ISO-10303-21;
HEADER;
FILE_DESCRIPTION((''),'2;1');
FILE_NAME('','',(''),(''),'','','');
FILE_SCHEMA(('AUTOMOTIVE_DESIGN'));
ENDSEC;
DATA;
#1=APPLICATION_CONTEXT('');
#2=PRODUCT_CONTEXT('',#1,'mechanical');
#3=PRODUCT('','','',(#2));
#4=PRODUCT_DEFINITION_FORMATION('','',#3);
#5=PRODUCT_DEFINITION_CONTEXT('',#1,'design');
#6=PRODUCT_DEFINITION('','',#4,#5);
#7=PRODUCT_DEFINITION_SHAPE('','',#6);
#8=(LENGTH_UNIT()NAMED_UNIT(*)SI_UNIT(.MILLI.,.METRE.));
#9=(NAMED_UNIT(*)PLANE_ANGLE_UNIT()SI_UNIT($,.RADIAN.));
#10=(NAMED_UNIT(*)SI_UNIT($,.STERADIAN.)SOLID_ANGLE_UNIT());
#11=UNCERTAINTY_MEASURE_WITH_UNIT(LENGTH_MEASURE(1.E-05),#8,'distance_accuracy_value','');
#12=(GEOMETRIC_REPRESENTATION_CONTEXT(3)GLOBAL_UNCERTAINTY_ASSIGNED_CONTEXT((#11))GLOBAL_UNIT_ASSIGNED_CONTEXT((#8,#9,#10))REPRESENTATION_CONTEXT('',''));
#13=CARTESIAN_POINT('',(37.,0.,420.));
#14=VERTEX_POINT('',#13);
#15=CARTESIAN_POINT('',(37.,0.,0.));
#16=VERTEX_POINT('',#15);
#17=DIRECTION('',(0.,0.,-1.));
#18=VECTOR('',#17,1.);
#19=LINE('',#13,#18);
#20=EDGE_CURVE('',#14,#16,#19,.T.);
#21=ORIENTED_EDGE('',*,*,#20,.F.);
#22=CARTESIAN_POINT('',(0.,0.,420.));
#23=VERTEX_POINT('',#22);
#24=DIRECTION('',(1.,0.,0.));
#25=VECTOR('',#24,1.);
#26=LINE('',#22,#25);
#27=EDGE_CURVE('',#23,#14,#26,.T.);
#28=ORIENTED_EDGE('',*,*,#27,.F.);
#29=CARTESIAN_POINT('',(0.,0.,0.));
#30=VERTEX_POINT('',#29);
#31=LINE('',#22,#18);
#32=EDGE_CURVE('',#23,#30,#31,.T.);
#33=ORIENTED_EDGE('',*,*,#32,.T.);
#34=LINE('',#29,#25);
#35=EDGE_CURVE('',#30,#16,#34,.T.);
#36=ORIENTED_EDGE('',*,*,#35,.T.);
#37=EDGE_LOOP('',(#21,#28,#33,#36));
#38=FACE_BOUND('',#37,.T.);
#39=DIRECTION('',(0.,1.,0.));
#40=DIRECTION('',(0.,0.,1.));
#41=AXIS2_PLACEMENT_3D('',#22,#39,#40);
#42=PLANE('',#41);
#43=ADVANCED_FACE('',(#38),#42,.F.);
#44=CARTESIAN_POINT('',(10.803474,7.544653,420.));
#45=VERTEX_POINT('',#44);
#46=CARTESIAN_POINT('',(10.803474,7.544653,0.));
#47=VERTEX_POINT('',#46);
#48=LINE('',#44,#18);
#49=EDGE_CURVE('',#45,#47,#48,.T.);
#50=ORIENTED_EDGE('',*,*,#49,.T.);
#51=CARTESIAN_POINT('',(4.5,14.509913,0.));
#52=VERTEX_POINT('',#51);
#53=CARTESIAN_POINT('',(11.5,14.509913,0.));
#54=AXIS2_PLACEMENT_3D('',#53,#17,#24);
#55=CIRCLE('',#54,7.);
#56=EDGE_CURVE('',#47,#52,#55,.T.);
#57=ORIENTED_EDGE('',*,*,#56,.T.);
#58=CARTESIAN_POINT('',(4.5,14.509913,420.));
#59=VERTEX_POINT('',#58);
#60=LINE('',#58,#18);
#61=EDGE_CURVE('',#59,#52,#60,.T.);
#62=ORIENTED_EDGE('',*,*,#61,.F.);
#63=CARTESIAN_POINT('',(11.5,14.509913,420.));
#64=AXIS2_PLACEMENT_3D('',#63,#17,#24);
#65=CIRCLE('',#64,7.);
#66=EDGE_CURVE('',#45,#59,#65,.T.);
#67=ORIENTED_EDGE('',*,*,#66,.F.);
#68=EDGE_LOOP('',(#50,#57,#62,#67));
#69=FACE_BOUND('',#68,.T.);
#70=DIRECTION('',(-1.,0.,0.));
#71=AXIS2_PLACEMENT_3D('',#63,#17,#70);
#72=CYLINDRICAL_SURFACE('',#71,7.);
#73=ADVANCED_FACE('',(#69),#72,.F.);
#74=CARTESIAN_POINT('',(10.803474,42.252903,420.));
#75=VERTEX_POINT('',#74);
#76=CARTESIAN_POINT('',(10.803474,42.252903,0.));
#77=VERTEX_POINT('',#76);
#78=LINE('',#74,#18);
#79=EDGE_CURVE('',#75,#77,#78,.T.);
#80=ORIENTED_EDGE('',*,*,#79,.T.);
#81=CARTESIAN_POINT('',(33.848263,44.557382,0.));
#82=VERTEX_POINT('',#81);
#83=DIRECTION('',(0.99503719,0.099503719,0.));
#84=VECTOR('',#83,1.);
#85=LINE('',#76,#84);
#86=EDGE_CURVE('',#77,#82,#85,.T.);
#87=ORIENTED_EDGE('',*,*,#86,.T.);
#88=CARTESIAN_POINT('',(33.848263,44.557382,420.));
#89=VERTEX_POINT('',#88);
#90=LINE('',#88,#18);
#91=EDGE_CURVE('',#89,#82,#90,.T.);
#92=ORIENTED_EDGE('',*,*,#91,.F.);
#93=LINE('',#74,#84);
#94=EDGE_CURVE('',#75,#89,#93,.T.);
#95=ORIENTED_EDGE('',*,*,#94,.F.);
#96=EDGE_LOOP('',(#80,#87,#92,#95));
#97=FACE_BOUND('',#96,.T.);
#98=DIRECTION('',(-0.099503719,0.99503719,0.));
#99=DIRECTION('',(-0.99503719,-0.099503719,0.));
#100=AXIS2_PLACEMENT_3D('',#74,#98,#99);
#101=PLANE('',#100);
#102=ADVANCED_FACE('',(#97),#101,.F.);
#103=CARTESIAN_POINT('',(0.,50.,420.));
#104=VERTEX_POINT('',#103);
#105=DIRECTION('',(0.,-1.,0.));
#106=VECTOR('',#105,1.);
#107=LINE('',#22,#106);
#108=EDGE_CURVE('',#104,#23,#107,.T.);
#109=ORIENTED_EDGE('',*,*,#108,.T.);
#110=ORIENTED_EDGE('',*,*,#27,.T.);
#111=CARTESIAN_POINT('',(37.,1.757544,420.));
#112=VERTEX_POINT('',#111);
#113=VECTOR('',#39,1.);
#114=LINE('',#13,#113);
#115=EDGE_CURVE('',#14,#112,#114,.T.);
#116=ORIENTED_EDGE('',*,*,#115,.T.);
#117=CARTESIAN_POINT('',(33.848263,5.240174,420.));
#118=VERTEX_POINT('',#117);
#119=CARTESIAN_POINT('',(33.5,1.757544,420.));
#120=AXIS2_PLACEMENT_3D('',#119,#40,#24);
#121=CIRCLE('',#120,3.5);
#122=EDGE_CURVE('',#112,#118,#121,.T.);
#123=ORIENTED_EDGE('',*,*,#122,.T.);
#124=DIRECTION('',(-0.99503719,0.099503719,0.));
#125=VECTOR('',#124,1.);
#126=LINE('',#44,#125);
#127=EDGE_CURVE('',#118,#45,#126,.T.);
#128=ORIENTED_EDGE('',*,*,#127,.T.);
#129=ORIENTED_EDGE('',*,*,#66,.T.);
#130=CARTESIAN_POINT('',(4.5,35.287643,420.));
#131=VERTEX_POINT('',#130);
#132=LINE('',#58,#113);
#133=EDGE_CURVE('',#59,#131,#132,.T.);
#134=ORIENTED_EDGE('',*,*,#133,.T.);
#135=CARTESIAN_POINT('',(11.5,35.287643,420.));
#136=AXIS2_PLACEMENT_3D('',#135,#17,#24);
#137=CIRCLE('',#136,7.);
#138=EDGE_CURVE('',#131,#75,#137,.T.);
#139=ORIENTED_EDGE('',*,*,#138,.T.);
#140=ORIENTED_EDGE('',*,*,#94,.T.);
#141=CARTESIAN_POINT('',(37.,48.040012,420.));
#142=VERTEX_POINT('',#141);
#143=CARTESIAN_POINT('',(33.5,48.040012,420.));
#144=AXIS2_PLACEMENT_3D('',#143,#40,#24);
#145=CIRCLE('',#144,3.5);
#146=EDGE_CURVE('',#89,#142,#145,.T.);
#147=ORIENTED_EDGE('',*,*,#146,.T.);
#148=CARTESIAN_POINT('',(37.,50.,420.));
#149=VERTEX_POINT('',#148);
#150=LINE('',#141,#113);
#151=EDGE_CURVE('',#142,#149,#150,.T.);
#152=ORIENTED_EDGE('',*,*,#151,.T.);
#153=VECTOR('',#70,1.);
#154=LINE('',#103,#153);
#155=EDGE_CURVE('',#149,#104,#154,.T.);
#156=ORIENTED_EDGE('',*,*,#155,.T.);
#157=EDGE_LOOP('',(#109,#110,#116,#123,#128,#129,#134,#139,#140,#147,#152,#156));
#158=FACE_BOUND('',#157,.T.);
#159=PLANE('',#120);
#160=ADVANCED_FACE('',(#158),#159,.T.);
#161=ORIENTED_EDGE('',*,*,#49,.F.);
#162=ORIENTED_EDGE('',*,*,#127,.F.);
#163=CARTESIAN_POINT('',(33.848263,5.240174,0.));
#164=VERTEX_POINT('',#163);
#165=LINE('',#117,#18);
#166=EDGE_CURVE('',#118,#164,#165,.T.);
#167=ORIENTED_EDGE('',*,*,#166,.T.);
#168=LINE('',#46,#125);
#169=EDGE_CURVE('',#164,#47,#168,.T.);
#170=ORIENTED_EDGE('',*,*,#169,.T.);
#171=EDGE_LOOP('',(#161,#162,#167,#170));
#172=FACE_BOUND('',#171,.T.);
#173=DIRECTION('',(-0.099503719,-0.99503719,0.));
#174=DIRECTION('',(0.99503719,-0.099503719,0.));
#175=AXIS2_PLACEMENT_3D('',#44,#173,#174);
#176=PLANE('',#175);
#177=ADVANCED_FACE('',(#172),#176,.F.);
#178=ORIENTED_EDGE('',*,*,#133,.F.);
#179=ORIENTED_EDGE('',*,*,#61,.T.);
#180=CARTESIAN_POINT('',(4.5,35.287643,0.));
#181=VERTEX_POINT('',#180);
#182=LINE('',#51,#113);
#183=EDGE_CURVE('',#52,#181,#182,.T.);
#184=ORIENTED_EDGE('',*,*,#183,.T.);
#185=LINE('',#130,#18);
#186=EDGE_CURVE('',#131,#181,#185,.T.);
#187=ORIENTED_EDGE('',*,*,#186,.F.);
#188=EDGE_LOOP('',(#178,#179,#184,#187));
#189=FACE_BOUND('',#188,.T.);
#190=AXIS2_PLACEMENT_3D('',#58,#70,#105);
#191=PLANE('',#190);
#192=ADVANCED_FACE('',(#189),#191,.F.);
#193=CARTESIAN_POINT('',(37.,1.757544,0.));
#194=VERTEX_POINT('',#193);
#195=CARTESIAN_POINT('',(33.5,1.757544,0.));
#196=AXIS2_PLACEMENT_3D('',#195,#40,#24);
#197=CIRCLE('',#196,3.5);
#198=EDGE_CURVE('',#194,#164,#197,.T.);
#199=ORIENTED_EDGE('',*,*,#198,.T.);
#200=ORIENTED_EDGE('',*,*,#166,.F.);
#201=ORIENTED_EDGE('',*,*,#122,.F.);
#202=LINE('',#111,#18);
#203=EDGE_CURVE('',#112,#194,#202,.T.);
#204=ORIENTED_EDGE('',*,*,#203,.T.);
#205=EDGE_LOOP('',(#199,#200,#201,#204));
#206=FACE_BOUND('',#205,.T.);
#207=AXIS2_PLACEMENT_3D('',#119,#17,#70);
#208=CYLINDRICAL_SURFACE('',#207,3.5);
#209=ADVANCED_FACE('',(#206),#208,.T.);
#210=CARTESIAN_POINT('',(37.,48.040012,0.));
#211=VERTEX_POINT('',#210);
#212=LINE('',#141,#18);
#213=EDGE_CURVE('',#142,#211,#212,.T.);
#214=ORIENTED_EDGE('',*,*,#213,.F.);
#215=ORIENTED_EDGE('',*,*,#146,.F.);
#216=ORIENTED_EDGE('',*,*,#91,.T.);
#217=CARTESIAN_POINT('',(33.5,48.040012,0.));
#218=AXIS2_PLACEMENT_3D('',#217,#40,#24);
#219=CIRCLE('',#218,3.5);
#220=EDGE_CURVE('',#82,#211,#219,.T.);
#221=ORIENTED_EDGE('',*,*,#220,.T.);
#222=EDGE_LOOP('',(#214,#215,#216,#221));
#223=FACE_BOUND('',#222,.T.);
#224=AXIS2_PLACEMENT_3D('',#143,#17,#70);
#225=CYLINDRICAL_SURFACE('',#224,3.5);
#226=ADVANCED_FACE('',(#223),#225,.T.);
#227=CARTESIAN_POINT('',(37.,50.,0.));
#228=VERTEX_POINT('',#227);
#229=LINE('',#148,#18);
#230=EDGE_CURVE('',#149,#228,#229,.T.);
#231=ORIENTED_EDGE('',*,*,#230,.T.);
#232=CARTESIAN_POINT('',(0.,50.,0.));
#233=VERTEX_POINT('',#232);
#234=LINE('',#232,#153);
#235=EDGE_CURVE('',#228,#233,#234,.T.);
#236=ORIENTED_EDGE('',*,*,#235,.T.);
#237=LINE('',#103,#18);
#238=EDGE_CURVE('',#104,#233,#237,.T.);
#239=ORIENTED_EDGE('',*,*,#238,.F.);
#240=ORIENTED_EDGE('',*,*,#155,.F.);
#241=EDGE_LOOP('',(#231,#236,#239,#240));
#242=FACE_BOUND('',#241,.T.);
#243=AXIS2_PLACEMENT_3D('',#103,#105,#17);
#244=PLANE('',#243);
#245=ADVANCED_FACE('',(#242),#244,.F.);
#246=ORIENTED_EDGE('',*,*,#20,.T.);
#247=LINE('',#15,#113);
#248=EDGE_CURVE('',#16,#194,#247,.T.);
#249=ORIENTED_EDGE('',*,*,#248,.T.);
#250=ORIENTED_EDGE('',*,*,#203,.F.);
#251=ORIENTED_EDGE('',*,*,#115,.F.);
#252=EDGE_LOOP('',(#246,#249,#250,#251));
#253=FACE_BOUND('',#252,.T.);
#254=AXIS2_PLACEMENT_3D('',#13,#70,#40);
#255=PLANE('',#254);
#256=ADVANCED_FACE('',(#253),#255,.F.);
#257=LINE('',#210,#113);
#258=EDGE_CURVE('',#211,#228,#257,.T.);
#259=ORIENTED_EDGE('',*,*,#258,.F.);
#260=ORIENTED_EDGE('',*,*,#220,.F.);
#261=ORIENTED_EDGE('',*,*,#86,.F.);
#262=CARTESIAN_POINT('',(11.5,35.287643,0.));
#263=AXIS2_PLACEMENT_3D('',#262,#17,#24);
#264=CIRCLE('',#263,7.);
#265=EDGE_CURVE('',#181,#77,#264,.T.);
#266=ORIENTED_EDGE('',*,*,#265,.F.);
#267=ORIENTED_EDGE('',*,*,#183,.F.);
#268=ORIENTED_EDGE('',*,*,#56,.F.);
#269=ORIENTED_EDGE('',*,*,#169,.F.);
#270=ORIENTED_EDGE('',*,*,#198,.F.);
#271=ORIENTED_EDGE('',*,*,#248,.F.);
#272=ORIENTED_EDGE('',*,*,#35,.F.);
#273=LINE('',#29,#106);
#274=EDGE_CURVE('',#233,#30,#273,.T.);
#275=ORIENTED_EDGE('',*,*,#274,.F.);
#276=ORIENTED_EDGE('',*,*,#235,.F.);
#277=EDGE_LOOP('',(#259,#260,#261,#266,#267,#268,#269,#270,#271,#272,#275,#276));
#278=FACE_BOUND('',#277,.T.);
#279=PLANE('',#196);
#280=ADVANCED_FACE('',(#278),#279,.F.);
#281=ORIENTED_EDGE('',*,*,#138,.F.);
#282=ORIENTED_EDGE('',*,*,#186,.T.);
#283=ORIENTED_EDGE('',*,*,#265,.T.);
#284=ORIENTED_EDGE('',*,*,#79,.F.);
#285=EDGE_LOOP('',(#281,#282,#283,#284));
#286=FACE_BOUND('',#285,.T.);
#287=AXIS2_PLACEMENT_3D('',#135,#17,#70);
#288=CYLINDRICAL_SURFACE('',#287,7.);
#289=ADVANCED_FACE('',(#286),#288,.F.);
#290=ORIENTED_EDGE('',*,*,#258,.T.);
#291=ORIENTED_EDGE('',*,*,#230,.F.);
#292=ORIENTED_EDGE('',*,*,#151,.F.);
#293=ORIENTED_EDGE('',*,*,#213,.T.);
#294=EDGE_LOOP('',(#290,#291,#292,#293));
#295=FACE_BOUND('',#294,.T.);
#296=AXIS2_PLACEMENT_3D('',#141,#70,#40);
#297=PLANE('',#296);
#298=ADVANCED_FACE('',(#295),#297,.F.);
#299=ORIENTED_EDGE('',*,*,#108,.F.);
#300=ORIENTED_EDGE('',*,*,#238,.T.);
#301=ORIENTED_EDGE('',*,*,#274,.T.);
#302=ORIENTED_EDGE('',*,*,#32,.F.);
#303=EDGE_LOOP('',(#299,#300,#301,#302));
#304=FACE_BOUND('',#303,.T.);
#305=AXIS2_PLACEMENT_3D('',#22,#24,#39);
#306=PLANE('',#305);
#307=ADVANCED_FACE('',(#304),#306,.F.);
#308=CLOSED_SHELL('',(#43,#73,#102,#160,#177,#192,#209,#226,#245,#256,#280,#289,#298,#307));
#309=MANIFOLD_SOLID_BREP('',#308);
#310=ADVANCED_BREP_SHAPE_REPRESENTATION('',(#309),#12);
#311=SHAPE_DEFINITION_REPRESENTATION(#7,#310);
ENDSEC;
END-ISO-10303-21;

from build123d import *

# Parameters (mm, degrees)
EXTRUDE_1_DEPTH = 420


with BuildPart() as part:
    # 草图1 → 凸台-拉伸1 (new body)
    with BuildSketch(Plane.XY):
        with BuildLine():
            Line((0, 0), (0, 50))
            Line((0, 50), (37, 50))
            Line((37, 50), (37, 48.040012398))
            ThreePointArc((37, 48.040012398), (36.095083867, 45.691493776), (33.848263017, 44.557382233))
            Line((33.848263017, 44.557382233), (10.803473967, 42.252903328))
            ThreePointArc((10.803473967, 42.252903328), (6.309832265, 39.984680242), (4.5, 35.287642996))
            Line((4.5, 35.287642996), (4.5, 14.509912935))
            ThreePointArc((4.5, 14.509912935), (6.309832265, 9.812875689), (10.803473967, 7.544652603))
            Line((10.803473967, 7.544652603), (33.848263017, 5.240173698))
            ThreePointArc((33.848263017, 5.240173698), (36.095083867, 4.106062155), (37, 1.757543533))
            Line((37, 1.757543533), (37, 0))
            Line((37, 0), (0, 0))
        make_face()
    extrude(amount=EXTRUDE_1_DEPTH)


solid = part.part
